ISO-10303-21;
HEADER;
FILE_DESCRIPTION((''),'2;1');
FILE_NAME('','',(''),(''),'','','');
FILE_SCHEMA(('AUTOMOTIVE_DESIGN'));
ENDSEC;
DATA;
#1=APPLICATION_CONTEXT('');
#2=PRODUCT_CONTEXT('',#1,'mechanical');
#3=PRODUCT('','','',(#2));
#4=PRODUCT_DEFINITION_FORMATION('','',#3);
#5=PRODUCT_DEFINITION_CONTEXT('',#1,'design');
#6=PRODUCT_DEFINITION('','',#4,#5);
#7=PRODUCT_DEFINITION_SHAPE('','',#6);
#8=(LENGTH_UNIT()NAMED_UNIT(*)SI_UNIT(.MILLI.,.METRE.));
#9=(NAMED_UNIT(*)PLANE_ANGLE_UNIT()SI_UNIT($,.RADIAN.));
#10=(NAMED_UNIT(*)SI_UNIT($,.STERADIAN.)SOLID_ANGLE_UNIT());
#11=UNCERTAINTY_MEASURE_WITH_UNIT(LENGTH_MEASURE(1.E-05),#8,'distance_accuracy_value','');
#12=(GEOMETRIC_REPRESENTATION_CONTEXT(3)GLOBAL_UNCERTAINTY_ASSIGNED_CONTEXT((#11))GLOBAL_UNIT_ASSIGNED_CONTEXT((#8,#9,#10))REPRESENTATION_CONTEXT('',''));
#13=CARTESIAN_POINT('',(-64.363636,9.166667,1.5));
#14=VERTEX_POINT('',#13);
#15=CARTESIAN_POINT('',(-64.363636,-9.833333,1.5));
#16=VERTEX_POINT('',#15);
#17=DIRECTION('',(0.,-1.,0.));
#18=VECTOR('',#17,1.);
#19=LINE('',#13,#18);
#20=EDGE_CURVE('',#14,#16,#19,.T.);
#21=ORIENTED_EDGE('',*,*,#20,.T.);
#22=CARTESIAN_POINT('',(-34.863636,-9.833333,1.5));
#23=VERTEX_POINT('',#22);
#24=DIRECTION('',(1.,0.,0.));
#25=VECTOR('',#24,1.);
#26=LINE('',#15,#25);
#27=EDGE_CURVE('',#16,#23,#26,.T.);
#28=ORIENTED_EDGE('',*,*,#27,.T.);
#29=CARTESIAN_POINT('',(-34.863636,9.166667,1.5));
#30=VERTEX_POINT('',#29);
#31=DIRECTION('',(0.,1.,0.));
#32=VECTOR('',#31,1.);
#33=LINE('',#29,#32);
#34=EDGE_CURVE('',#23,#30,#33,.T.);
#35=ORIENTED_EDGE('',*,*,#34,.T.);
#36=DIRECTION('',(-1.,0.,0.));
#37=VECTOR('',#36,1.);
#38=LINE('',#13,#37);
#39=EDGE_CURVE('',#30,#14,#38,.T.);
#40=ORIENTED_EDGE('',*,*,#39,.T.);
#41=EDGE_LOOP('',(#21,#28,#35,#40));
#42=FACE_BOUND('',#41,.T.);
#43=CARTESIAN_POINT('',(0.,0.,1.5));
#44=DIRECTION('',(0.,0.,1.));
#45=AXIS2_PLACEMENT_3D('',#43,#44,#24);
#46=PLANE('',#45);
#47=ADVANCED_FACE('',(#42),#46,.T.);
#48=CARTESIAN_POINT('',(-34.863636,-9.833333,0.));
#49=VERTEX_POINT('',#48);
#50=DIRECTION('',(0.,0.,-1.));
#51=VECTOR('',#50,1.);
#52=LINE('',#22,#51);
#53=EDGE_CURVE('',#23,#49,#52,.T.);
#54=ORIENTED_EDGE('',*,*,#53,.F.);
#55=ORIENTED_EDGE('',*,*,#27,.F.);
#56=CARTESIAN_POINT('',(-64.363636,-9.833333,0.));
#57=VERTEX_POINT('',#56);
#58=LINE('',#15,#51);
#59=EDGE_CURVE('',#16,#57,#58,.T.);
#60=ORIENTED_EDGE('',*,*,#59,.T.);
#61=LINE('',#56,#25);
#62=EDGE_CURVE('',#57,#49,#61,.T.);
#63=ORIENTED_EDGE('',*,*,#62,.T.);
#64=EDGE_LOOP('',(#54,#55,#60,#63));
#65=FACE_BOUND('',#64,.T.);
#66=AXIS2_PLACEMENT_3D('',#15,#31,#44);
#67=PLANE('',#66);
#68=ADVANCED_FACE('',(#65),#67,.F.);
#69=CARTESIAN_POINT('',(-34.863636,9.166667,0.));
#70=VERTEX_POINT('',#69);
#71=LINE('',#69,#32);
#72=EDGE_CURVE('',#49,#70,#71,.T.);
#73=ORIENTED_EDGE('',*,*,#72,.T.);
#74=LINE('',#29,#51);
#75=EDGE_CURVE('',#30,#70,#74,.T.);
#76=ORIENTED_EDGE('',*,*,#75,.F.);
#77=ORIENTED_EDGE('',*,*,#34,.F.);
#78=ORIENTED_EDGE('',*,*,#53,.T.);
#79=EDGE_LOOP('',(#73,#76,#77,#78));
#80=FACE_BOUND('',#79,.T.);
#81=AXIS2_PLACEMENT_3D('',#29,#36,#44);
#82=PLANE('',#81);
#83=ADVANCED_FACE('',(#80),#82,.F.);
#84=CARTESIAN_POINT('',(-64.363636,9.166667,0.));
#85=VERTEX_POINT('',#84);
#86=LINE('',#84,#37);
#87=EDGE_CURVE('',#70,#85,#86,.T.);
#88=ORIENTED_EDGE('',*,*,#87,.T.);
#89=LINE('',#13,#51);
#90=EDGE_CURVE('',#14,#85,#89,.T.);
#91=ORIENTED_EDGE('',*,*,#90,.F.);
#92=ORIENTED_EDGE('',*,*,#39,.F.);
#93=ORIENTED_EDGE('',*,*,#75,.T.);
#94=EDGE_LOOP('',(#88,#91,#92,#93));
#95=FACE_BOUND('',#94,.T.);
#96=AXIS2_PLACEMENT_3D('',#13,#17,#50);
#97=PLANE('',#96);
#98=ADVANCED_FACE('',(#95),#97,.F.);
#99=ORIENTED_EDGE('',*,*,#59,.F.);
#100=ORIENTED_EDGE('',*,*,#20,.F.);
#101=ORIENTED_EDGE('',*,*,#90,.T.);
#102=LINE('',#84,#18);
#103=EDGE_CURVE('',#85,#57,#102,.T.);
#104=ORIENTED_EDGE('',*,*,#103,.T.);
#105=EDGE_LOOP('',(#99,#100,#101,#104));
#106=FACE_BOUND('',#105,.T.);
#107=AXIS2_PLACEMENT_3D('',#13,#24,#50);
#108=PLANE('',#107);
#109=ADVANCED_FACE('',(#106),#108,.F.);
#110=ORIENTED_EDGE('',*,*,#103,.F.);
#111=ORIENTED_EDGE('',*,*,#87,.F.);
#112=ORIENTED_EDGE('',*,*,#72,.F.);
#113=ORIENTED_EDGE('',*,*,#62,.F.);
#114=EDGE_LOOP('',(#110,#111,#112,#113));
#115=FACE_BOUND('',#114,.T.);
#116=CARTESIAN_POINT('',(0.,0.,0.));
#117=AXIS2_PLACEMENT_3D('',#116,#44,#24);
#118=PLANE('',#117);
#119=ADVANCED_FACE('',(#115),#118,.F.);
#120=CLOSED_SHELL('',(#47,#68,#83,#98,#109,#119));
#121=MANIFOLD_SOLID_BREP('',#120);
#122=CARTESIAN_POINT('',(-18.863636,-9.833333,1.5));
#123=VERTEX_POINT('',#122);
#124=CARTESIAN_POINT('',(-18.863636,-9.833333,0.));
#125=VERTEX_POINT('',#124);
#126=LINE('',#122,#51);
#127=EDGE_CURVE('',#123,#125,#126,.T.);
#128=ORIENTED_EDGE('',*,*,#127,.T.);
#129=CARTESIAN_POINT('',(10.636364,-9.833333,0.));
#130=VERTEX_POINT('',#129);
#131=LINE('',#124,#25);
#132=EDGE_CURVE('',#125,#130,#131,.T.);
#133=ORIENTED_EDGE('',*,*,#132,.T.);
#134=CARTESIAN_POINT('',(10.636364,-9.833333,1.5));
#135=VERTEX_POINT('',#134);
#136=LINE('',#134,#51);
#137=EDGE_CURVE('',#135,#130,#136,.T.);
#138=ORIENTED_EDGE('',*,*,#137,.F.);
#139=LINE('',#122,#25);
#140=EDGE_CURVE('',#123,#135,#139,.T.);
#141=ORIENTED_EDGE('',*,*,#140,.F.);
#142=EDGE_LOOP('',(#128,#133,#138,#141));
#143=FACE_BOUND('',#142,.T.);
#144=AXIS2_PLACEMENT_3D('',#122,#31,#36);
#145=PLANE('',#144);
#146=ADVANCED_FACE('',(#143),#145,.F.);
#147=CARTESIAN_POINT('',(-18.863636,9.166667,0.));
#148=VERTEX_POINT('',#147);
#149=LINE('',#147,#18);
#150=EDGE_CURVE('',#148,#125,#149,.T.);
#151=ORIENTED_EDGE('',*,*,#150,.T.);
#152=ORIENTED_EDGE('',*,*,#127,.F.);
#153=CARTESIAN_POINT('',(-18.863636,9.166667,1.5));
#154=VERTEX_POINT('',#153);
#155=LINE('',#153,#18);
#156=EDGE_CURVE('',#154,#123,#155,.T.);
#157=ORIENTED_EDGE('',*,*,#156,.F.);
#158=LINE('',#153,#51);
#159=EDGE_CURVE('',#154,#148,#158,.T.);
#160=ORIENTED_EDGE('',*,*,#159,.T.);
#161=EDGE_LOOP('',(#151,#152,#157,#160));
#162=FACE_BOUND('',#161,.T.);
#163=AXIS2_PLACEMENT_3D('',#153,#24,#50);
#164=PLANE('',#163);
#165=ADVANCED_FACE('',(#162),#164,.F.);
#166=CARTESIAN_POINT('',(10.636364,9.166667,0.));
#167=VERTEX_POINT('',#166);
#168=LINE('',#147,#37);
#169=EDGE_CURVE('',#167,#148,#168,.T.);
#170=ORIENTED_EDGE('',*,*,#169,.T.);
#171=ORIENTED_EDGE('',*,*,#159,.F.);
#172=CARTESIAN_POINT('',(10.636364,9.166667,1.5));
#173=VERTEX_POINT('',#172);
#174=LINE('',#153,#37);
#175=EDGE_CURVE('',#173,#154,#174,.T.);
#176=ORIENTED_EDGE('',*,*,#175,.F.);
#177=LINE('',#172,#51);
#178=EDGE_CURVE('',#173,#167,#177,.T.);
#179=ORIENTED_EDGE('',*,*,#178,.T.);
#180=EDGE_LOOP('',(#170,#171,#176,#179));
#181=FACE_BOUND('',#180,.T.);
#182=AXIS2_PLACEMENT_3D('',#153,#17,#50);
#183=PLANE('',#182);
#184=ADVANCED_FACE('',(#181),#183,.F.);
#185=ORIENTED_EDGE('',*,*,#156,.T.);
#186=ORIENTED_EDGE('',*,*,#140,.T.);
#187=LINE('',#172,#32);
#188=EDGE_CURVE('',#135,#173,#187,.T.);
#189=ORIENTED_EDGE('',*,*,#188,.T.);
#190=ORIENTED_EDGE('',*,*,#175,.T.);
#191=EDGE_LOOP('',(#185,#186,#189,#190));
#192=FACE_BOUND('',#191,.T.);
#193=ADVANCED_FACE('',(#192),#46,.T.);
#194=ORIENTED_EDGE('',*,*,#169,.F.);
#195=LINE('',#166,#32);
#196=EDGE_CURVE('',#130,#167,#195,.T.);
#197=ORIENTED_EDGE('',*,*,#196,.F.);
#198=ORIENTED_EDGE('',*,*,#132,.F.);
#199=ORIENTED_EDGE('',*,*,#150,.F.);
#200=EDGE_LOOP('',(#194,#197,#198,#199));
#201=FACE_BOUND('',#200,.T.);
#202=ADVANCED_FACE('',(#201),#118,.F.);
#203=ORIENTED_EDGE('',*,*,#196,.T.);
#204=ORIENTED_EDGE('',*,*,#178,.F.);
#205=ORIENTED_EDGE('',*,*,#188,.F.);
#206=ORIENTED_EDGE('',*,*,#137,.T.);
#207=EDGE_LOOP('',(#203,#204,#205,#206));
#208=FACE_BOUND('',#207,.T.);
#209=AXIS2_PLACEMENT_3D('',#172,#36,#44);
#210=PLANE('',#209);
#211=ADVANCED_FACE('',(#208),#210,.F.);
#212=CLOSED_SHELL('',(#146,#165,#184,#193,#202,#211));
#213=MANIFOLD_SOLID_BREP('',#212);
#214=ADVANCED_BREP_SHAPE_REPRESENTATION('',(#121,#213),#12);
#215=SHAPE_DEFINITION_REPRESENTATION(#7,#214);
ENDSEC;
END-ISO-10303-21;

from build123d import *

# Parameters (mm, degrees)
SKETCH1_W             = 29.5
SKETCH1_H             = 19
BOSS_EXTRUDE1_DEPTH   = 1.5
BOSS_EXTRUDE1_2_DEPTH = 1.5


with BuildPart() as part:
    # Sketch1 → Boss-Extrude1 (new body)
    with BuildSketch(Plane.XY):
        with Locations((-49.613636364, -0.333333333)):
            Rectangle(SKETCH1_W, SKETCH1_H)
    extrude(amount=BOSS_EXTRUDE1_DEPTH)


with BuildPart() as body_2:
    # Sketch1 → Boss-Extrude1 2 (new body)
    with BuildSketch(Plane.XY):
        with Locations((-4.113636364, -0.333333333)):
            Rectangle(SKETCH1_W, SKETCH1_H)
    extrude(amount=BOSS_EXTRUDE1_2_DEPTH)


solid = Compound([part.part, body_2.part])
